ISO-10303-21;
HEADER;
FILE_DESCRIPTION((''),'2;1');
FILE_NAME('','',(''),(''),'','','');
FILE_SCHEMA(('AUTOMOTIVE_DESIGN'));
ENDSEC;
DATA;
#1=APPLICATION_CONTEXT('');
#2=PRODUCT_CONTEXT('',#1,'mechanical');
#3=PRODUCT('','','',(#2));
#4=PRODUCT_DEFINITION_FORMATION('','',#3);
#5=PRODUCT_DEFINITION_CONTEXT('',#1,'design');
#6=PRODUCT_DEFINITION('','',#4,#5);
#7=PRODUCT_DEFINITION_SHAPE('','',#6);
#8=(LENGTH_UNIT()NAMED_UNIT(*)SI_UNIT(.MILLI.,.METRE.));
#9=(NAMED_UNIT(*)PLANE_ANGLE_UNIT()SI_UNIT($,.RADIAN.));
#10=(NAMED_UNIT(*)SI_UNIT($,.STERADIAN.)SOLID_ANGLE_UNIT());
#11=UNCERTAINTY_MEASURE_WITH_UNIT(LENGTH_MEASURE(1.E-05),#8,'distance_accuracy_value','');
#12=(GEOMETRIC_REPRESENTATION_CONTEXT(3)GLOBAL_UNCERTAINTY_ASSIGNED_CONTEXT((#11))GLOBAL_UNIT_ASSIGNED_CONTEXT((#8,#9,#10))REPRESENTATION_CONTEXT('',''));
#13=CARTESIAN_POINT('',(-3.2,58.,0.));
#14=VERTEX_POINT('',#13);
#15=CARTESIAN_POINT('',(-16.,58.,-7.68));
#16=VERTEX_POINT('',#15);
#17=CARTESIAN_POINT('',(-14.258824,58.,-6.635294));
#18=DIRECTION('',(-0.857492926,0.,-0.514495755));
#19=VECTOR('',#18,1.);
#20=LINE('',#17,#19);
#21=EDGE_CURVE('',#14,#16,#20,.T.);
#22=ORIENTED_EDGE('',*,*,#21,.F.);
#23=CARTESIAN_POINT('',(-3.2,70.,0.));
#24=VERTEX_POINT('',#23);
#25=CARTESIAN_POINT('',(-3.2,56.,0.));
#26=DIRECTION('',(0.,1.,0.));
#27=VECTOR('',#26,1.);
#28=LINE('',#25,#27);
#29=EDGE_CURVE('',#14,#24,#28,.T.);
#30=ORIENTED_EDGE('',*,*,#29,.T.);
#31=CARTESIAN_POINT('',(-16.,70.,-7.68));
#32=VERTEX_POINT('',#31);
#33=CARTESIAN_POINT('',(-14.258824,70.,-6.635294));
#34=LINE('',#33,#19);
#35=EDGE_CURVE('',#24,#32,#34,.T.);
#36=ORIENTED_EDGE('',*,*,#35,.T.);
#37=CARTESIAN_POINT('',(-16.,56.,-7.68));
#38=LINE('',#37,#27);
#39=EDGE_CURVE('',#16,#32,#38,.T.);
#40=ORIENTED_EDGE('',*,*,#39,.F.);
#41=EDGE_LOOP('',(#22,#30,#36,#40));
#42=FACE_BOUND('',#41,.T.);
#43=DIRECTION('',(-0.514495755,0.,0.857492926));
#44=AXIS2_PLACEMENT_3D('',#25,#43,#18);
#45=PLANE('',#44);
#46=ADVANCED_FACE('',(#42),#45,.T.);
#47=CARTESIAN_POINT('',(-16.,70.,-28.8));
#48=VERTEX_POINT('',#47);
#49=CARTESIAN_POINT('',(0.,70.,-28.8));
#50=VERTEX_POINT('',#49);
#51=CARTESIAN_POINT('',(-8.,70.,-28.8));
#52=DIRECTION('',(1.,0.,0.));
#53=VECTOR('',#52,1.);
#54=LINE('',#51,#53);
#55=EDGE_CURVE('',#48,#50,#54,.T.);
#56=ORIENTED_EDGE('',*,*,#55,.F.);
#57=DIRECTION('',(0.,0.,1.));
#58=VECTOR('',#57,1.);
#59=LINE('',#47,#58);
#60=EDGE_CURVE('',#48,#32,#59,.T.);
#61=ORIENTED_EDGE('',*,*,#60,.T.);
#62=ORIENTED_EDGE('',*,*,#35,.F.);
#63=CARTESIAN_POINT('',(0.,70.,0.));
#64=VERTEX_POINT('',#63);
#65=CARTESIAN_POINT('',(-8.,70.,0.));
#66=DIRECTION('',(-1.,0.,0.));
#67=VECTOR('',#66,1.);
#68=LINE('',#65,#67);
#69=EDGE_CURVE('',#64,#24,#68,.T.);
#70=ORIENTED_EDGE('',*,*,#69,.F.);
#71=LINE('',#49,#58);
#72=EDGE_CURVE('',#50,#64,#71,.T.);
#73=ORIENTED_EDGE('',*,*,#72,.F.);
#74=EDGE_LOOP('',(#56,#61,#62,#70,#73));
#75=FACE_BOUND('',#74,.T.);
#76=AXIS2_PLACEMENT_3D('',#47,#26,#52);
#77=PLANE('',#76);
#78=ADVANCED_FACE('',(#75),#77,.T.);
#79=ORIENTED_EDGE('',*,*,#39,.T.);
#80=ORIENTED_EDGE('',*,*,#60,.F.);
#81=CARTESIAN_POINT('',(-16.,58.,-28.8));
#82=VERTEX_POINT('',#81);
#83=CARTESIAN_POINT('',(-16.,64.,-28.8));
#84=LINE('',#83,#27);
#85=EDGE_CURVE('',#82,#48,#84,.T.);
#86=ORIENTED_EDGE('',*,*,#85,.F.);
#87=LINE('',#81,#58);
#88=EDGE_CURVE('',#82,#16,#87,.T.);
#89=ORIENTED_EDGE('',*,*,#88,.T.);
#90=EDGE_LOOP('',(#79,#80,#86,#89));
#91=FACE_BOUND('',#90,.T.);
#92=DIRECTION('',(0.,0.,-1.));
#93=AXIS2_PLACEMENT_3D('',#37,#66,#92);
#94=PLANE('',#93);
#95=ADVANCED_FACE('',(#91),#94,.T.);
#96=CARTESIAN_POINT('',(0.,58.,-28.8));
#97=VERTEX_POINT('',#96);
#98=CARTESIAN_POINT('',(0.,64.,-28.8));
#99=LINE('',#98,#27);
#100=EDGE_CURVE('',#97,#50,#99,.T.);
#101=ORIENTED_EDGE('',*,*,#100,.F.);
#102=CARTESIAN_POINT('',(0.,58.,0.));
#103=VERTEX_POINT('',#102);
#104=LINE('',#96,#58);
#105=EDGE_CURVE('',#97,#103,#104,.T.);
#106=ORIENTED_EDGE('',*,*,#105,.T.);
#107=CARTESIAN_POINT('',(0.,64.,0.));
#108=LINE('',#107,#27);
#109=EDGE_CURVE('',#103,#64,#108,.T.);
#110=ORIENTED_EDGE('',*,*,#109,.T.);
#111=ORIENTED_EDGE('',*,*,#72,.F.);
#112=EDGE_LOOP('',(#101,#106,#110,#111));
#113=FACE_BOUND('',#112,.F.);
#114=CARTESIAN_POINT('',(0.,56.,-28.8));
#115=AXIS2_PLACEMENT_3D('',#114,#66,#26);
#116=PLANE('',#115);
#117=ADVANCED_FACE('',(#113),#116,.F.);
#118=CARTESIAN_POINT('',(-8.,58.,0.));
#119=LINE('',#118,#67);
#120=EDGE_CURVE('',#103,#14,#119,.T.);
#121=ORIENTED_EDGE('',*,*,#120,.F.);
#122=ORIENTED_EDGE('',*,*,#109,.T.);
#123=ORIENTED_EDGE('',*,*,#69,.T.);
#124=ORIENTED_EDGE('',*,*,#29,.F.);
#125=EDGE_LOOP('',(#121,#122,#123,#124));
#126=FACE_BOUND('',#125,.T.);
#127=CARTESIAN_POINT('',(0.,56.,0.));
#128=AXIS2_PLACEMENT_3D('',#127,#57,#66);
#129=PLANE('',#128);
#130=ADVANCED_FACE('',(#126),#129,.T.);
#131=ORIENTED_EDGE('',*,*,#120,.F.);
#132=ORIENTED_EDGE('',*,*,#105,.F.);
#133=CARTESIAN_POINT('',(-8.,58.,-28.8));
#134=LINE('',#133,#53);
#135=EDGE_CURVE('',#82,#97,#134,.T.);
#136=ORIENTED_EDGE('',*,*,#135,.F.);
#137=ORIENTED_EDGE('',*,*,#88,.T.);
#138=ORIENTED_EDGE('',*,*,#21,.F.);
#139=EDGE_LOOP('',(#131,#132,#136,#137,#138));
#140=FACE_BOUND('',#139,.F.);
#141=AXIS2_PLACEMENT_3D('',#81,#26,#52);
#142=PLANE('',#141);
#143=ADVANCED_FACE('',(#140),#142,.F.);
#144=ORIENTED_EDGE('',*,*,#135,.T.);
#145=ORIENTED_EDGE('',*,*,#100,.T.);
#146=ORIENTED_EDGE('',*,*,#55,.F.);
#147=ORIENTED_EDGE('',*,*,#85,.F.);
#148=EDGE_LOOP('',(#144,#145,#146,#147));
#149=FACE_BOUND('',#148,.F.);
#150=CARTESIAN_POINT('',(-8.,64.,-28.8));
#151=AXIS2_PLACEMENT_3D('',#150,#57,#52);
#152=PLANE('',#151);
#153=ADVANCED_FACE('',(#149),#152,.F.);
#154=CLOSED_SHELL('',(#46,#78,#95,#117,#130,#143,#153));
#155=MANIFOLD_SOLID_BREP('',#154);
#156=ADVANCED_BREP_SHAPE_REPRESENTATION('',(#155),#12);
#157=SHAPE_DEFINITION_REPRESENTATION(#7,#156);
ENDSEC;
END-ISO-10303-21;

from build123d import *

# Parameters (mm, degrees)
SKETCH021_W     = 16
SKETCH021_H     = 16
PAD012_DEPTH    = 28.8
POCKET009_DEPTH = 16
PAD139_DEPTH    = 16
SKETCH192_W     = 16
SKETCH192_H     = 2
POCKET074_DEPTH = 30


with BuildPart() as part:
    # Sketch021 (on Face60 of Binder008) → Pad012 (new body)
    with BuildSketch(Plane.XY.offset(-28.8)):
        with Locations((-8, 64)):
            Rectangle(SKETCH021_W, SKETCH021_H)
    extrude(amount=PAD012_DEPTH)

    # Sketch022 (on Face3 of Pad012) → Pocket009 (cut)
    with BuildSketch(Plane.XZ.offset(-56)):
        Polygon((-16, -9.6), (0, 0), (-16, 0), align=None)
    extrude(amount=-POCKET009_DEPTH, mode=Mode.SUBTRACT)

    # Sketch139 (on Face6 of Pocket009) → Pad139 (join)
    with BuildSketch(Plane.XZ.offset(-56)):
        Polygon((0, 0), (-3.2, 0), (-16, -7.68), (-16, -10.88), (-3.2, -3.2), (0, -3.2), align=None)
    extrude(amount=-PAD139_DEPTH)

    # Sketch192 (on Face1 of Pad139) → Pocket074 (cut)
    with BuildSketch(Plane(origin=(0, 0, -28.8), x_dir=(1, 0, 0), z_dir=(0, 0, -1))):
        with Locations((-8, -57)):
            Rectangle(SKETCH192_W, SKETCH192_H)
        with Locations((-8, -71)):
            Rectangle(SKETCH192_W, SKETCH192_H)
    extrude(amount=-POCKET074_DEPTH, mode=Mode.SUBTRACT)


solid = part.part
